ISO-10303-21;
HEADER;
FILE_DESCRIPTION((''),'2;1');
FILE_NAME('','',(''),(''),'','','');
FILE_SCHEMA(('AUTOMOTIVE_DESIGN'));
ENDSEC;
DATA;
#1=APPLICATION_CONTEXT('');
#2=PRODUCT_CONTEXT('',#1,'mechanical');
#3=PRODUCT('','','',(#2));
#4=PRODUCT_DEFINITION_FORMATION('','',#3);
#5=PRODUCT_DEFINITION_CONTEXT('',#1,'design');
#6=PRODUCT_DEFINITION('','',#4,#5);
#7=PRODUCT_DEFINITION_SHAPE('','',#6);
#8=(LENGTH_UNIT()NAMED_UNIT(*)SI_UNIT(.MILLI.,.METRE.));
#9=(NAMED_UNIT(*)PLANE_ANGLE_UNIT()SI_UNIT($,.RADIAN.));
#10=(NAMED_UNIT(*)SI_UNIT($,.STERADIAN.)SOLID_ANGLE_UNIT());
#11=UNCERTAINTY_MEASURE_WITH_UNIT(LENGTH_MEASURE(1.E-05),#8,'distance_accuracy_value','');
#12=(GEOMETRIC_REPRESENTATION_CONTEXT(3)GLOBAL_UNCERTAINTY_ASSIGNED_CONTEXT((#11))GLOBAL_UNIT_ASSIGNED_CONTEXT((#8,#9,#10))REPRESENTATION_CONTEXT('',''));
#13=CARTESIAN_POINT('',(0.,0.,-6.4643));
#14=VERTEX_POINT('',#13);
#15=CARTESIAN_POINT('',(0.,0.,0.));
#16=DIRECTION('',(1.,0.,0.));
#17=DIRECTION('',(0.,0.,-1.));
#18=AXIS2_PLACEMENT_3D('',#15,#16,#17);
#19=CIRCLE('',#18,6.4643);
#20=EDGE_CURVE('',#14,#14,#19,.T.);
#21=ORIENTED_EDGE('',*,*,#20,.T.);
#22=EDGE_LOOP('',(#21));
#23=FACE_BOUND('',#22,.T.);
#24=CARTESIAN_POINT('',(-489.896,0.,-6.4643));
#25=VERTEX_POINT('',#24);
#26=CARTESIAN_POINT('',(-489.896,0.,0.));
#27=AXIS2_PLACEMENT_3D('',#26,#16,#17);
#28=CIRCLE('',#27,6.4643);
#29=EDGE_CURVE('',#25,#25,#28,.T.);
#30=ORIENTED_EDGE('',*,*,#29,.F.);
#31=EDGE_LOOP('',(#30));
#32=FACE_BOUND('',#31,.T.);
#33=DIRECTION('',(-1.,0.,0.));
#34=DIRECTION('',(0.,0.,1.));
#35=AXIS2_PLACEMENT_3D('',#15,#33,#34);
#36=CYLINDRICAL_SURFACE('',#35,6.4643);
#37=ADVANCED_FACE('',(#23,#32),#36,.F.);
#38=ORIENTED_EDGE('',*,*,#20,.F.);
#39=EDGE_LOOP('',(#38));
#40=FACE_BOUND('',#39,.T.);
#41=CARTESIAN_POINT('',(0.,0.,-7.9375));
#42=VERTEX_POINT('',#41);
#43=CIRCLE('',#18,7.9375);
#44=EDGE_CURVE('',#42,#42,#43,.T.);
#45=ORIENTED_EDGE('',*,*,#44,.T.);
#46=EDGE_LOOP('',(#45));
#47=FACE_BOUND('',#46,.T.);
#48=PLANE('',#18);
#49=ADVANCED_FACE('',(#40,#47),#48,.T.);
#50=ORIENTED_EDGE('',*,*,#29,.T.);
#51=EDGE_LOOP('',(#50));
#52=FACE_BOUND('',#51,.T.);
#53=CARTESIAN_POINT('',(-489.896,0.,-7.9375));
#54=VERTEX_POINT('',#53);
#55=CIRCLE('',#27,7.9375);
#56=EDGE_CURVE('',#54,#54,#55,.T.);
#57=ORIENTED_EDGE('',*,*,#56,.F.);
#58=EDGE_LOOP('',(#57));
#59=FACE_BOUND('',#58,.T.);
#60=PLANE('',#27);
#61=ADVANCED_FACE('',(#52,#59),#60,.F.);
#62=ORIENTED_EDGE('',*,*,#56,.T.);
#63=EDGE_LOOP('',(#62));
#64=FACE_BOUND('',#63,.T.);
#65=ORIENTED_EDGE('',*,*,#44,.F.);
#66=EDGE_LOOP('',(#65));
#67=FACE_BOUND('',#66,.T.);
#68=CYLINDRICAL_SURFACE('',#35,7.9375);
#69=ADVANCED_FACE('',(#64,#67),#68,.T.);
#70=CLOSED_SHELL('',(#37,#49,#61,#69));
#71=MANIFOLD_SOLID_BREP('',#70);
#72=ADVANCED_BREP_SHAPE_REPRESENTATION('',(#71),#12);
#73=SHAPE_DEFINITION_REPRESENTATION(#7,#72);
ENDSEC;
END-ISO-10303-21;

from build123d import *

# Parameters (mm, degrees)
SKETCH11_R               = 7.9375
SKETCH11_R_2             = 6.4643
STRUCTURAL_MEMBER1_DEPTH = 489.896


with BuildPart() as part:
    # Sketch11 → Structural Member1 (new body)
    with BuildSketch(Plane(origin=(-489.896, 0, 0), x_dir=(0, 0, -1), z_dir=(1, 0, 0))):
        Circle(SKETCH11_R)
        Circle(SKETCH11_R_2, mode=Mode.SUBTRACT)
    extrude(amount=STRUCTURAL_MEMBER1_DEPTH)


solid = part.part
